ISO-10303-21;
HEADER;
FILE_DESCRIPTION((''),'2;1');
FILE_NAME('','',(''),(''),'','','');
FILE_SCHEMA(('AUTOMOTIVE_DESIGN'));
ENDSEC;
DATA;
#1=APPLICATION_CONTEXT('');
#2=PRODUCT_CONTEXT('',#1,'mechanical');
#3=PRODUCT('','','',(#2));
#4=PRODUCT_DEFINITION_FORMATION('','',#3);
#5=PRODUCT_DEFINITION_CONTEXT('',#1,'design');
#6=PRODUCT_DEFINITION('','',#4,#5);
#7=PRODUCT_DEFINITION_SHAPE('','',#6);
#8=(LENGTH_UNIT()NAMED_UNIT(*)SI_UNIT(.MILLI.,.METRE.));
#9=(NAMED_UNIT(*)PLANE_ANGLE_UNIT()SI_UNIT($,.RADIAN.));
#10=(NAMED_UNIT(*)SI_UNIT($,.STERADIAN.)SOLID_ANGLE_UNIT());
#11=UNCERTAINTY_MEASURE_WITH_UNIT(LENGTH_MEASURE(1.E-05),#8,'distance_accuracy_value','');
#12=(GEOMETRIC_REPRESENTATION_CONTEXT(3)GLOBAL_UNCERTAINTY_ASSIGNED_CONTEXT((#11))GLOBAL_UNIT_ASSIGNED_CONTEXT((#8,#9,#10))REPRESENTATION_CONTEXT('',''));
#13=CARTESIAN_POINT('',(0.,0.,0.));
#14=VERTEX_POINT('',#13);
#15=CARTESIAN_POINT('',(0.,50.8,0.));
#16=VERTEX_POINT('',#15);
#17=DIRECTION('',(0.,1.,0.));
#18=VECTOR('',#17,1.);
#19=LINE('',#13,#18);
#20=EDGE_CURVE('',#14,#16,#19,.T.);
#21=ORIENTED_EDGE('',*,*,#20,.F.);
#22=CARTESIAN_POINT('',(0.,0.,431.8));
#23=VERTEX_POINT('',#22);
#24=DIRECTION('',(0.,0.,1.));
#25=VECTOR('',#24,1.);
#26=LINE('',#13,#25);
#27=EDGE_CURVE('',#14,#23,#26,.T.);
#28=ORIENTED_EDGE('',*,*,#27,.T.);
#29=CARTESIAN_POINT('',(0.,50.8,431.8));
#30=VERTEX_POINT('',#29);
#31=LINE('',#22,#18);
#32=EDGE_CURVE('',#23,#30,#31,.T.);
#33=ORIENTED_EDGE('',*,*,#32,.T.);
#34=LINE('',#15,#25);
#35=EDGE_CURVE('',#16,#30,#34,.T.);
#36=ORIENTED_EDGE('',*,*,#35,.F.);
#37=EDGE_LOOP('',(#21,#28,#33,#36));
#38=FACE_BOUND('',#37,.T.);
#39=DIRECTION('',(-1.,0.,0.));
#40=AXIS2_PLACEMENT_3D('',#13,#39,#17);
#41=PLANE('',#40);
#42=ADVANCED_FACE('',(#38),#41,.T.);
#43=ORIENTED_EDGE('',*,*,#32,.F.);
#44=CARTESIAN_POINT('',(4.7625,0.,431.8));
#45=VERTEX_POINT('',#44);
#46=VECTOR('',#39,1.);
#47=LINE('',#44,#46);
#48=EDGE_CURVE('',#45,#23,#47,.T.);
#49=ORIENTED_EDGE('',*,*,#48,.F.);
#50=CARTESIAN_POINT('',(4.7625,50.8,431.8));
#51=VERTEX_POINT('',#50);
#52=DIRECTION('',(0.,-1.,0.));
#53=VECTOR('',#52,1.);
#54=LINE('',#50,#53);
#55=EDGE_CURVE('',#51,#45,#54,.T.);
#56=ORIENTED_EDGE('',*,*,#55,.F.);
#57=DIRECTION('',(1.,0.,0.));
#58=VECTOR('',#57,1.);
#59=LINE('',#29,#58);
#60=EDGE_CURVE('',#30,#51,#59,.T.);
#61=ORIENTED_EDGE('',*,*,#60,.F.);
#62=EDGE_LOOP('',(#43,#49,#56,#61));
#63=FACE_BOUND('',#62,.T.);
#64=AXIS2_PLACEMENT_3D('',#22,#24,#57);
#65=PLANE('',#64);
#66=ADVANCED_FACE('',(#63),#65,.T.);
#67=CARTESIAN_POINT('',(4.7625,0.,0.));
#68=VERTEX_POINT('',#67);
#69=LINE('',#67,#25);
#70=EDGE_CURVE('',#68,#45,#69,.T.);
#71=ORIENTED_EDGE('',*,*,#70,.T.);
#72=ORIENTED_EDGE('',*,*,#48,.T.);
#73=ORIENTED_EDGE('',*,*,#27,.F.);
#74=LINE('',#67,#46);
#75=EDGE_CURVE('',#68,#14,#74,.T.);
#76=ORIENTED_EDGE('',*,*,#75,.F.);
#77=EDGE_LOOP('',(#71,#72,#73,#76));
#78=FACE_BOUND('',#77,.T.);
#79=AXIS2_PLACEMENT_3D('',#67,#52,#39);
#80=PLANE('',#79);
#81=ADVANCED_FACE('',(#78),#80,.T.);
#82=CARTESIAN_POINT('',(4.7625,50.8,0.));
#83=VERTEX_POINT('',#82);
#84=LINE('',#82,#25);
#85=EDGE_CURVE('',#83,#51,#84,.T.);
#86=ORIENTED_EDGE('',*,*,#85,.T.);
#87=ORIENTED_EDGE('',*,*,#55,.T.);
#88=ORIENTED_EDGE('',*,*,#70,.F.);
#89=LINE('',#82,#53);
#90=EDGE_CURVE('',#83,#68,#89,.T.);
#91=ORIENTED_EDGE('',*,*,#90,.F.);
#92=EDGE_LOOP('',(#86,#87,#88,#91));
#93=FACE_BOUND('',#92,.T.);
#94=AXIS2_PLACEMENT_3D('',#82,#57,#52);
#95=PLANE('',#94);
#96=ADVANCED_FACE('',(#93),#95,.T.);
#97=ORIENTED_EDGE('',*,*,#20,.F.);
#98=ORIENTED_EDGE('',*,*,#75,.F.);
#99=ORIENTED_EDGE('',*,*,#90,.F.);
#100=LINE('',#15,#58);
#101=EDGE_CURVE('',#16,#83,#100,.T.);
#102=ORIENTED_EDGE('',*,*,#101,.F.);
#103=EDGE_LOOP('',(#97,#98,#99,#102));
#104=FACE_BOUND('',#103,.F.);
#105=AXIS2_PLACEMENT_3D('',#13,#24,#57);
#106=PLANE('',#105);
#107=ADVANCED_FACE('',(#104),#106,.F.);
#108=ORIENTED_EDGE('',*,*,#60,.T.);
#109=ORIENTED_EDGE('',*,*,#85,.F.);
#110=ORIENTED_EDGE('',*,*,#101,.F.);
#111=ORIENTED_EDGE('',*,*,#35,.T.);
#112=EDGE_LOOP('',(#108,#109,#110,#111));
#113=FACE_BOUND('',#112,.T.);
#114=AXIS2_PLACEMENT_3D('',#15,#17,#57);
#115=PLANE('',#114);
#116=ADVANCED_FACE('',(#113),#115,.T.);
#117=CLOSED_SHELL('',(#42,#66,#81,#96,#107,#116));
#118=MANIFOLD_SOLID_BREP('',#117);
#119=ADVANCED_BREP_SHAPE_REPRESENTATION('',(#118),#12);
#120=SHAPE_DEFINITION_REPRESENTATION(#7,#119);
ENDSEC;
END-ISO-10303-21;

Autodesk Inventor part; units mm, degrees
ref_plane "YZ Plane" through (0, 0, 0) normal (1, 0, 0) x (0, 1, 0)
ref_plane "XZ Plane" through (0, 0, 0) normal (0, 1, 0) x (-1, 0, 0)
ref_plane "XY Plane" through (0, 0, 0) normal (0, 0, 1) x (1, 0, 0)
sketch "Sketch1" plane through (0, 0, 0) normal (0, 0, 1) x (1, 0, 0)
  line L0 (0, 50.8) -> (4.7625, 50.8)
  line L1 (4.7625, 50.8) -> (4.7625, 0)
  line L2 (4.7625, 0) -> (0, 0)
  line L3 (0, 0) -> (0, 50.8)
  dimension "d0" = 4.7625
  dimension "d1" = 50.8
extrude "Extrusion1" add sketch "Sketch1" along normal blind 431.8
properties part number "BOXC_F17P125"
